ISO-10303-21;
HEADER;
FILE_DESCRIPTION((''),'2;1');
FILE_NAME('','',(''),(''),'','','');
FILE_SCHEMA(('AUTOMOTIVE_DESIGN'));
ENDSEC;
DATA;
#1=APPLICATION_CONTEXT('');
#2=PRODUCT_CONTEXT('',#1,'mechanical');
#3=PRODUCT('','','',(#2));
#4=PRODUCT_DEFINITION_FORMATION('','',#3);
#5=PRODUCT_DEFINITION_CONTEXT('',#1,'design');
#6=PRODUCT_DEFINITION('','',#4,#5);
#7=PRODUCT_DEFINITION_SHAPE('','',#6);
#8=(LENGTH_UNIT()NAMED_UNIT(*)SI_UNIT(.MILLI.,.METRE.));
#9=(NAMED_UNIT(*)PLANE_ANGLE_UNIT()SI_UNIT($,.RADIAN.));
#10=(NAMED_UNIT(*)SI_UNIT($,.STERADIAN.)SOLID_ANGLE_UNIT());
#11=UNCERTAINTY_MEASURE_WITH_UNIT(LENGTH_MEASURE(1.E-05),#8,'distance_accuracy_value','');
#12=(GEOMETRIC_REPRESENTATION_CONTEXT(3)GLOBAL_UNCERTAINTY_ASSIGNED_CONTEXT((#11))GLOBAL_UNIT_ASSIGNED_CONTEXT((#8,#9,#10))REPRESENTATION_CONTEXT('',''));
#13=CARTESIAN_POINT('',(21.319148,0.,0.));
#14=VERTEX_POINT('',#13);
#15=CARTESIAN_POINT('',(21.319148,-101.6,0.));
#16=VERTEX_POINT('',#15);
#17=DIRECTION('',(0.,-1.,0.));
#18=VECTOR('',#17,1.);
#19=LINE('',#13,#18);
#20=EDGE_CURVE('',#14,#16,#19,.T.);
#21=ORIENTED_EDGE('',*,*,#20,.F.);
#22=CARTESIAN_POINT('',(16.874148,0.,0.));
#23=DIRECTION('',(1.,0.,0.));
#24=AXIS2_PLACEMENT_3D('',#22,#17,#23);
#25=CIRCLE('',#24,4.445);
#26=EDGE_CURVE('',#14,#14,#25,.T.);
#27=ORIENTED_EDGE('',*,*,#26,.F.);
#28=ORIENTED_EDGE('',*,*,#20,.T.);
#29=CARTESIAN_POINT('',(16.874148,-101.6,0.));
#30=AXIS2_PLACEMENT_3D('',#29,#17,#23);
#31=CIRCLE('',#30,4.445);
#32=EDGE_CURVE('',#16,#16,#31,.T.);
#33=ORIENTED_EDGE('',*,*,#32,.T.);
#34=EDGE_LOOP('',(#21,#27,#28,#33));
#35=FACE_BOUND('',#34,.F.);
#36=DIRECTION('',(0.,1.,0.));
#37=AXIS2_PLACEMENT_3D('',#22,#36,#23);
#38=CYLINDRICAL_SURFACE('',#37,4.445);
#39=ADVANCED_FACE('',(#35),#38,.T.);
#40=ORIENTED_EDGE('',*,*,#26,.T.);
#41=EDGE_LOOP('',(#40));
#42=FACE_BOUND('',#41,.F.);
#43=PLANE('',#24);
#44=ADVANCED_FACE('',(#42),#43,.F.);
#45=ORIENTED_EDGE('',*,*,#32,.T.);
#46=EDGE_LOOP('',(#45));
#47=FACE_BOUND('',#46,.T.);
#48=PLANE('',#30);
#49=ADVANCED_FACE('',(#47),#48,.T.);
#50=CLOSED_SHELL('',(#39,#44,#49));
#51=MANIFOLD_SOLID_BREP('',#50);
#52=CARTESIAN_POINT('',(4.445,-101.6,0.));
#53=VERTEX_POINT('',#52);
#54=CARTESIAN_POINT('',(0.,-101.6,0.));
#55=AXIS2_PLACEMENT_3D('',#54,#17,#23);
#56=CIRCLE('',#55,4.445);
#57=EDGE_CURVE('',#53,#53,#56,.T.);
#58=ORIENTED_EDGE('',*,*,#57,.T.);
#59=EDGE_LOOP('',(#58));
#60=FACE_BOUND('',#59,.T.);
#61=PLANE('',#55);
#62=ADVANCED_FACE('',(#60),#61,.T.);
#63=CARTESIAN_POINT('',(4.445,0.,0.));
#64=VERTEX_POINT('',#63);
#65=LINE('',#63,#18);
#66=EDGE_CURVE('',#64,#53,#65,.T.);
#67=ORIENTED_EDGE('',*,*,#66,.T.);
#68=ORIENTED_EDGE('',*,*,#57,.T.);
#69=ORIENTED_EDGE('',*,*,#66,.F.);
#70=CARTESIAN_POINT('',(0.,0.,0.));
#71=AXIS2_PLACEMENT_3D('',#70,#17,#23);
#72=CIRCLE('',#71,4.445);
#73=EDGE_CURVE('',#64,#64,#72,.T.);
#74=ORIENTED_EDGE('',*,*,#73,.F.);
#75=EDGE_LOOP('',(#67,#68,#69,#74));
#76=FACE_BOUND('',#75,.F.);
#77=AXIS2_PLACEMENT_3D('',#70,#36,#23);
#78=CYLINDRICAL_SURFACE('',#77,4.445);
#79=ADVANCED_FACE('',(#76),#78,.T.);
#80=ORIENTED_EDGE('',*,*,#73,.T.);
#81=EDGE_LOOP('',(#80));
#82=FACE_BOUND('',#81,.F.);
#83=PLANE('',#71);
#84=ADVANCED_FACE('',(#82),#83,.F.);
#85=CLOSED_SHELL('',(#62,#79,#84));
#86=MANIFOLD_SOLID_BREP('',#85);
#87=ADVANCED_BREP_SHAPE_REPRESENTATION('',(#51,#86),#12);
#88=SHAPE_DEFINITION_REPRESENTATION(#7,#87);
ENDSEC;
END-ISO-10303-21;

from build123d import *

# Parameters (mm, degrees)
F0_R     = 4.445
F1_DEPTH = 101.6


with BuildPart() as f1:
    # F0 (on Front) → F1 (new body)
    with BuildSketch(Plane.XZ):
        Circle(F0_R)
        with Locations((16.874148, 0)):
            Circle(F0_R)
    extrude(amount=F1_DEPTH)


solid = f1.part
